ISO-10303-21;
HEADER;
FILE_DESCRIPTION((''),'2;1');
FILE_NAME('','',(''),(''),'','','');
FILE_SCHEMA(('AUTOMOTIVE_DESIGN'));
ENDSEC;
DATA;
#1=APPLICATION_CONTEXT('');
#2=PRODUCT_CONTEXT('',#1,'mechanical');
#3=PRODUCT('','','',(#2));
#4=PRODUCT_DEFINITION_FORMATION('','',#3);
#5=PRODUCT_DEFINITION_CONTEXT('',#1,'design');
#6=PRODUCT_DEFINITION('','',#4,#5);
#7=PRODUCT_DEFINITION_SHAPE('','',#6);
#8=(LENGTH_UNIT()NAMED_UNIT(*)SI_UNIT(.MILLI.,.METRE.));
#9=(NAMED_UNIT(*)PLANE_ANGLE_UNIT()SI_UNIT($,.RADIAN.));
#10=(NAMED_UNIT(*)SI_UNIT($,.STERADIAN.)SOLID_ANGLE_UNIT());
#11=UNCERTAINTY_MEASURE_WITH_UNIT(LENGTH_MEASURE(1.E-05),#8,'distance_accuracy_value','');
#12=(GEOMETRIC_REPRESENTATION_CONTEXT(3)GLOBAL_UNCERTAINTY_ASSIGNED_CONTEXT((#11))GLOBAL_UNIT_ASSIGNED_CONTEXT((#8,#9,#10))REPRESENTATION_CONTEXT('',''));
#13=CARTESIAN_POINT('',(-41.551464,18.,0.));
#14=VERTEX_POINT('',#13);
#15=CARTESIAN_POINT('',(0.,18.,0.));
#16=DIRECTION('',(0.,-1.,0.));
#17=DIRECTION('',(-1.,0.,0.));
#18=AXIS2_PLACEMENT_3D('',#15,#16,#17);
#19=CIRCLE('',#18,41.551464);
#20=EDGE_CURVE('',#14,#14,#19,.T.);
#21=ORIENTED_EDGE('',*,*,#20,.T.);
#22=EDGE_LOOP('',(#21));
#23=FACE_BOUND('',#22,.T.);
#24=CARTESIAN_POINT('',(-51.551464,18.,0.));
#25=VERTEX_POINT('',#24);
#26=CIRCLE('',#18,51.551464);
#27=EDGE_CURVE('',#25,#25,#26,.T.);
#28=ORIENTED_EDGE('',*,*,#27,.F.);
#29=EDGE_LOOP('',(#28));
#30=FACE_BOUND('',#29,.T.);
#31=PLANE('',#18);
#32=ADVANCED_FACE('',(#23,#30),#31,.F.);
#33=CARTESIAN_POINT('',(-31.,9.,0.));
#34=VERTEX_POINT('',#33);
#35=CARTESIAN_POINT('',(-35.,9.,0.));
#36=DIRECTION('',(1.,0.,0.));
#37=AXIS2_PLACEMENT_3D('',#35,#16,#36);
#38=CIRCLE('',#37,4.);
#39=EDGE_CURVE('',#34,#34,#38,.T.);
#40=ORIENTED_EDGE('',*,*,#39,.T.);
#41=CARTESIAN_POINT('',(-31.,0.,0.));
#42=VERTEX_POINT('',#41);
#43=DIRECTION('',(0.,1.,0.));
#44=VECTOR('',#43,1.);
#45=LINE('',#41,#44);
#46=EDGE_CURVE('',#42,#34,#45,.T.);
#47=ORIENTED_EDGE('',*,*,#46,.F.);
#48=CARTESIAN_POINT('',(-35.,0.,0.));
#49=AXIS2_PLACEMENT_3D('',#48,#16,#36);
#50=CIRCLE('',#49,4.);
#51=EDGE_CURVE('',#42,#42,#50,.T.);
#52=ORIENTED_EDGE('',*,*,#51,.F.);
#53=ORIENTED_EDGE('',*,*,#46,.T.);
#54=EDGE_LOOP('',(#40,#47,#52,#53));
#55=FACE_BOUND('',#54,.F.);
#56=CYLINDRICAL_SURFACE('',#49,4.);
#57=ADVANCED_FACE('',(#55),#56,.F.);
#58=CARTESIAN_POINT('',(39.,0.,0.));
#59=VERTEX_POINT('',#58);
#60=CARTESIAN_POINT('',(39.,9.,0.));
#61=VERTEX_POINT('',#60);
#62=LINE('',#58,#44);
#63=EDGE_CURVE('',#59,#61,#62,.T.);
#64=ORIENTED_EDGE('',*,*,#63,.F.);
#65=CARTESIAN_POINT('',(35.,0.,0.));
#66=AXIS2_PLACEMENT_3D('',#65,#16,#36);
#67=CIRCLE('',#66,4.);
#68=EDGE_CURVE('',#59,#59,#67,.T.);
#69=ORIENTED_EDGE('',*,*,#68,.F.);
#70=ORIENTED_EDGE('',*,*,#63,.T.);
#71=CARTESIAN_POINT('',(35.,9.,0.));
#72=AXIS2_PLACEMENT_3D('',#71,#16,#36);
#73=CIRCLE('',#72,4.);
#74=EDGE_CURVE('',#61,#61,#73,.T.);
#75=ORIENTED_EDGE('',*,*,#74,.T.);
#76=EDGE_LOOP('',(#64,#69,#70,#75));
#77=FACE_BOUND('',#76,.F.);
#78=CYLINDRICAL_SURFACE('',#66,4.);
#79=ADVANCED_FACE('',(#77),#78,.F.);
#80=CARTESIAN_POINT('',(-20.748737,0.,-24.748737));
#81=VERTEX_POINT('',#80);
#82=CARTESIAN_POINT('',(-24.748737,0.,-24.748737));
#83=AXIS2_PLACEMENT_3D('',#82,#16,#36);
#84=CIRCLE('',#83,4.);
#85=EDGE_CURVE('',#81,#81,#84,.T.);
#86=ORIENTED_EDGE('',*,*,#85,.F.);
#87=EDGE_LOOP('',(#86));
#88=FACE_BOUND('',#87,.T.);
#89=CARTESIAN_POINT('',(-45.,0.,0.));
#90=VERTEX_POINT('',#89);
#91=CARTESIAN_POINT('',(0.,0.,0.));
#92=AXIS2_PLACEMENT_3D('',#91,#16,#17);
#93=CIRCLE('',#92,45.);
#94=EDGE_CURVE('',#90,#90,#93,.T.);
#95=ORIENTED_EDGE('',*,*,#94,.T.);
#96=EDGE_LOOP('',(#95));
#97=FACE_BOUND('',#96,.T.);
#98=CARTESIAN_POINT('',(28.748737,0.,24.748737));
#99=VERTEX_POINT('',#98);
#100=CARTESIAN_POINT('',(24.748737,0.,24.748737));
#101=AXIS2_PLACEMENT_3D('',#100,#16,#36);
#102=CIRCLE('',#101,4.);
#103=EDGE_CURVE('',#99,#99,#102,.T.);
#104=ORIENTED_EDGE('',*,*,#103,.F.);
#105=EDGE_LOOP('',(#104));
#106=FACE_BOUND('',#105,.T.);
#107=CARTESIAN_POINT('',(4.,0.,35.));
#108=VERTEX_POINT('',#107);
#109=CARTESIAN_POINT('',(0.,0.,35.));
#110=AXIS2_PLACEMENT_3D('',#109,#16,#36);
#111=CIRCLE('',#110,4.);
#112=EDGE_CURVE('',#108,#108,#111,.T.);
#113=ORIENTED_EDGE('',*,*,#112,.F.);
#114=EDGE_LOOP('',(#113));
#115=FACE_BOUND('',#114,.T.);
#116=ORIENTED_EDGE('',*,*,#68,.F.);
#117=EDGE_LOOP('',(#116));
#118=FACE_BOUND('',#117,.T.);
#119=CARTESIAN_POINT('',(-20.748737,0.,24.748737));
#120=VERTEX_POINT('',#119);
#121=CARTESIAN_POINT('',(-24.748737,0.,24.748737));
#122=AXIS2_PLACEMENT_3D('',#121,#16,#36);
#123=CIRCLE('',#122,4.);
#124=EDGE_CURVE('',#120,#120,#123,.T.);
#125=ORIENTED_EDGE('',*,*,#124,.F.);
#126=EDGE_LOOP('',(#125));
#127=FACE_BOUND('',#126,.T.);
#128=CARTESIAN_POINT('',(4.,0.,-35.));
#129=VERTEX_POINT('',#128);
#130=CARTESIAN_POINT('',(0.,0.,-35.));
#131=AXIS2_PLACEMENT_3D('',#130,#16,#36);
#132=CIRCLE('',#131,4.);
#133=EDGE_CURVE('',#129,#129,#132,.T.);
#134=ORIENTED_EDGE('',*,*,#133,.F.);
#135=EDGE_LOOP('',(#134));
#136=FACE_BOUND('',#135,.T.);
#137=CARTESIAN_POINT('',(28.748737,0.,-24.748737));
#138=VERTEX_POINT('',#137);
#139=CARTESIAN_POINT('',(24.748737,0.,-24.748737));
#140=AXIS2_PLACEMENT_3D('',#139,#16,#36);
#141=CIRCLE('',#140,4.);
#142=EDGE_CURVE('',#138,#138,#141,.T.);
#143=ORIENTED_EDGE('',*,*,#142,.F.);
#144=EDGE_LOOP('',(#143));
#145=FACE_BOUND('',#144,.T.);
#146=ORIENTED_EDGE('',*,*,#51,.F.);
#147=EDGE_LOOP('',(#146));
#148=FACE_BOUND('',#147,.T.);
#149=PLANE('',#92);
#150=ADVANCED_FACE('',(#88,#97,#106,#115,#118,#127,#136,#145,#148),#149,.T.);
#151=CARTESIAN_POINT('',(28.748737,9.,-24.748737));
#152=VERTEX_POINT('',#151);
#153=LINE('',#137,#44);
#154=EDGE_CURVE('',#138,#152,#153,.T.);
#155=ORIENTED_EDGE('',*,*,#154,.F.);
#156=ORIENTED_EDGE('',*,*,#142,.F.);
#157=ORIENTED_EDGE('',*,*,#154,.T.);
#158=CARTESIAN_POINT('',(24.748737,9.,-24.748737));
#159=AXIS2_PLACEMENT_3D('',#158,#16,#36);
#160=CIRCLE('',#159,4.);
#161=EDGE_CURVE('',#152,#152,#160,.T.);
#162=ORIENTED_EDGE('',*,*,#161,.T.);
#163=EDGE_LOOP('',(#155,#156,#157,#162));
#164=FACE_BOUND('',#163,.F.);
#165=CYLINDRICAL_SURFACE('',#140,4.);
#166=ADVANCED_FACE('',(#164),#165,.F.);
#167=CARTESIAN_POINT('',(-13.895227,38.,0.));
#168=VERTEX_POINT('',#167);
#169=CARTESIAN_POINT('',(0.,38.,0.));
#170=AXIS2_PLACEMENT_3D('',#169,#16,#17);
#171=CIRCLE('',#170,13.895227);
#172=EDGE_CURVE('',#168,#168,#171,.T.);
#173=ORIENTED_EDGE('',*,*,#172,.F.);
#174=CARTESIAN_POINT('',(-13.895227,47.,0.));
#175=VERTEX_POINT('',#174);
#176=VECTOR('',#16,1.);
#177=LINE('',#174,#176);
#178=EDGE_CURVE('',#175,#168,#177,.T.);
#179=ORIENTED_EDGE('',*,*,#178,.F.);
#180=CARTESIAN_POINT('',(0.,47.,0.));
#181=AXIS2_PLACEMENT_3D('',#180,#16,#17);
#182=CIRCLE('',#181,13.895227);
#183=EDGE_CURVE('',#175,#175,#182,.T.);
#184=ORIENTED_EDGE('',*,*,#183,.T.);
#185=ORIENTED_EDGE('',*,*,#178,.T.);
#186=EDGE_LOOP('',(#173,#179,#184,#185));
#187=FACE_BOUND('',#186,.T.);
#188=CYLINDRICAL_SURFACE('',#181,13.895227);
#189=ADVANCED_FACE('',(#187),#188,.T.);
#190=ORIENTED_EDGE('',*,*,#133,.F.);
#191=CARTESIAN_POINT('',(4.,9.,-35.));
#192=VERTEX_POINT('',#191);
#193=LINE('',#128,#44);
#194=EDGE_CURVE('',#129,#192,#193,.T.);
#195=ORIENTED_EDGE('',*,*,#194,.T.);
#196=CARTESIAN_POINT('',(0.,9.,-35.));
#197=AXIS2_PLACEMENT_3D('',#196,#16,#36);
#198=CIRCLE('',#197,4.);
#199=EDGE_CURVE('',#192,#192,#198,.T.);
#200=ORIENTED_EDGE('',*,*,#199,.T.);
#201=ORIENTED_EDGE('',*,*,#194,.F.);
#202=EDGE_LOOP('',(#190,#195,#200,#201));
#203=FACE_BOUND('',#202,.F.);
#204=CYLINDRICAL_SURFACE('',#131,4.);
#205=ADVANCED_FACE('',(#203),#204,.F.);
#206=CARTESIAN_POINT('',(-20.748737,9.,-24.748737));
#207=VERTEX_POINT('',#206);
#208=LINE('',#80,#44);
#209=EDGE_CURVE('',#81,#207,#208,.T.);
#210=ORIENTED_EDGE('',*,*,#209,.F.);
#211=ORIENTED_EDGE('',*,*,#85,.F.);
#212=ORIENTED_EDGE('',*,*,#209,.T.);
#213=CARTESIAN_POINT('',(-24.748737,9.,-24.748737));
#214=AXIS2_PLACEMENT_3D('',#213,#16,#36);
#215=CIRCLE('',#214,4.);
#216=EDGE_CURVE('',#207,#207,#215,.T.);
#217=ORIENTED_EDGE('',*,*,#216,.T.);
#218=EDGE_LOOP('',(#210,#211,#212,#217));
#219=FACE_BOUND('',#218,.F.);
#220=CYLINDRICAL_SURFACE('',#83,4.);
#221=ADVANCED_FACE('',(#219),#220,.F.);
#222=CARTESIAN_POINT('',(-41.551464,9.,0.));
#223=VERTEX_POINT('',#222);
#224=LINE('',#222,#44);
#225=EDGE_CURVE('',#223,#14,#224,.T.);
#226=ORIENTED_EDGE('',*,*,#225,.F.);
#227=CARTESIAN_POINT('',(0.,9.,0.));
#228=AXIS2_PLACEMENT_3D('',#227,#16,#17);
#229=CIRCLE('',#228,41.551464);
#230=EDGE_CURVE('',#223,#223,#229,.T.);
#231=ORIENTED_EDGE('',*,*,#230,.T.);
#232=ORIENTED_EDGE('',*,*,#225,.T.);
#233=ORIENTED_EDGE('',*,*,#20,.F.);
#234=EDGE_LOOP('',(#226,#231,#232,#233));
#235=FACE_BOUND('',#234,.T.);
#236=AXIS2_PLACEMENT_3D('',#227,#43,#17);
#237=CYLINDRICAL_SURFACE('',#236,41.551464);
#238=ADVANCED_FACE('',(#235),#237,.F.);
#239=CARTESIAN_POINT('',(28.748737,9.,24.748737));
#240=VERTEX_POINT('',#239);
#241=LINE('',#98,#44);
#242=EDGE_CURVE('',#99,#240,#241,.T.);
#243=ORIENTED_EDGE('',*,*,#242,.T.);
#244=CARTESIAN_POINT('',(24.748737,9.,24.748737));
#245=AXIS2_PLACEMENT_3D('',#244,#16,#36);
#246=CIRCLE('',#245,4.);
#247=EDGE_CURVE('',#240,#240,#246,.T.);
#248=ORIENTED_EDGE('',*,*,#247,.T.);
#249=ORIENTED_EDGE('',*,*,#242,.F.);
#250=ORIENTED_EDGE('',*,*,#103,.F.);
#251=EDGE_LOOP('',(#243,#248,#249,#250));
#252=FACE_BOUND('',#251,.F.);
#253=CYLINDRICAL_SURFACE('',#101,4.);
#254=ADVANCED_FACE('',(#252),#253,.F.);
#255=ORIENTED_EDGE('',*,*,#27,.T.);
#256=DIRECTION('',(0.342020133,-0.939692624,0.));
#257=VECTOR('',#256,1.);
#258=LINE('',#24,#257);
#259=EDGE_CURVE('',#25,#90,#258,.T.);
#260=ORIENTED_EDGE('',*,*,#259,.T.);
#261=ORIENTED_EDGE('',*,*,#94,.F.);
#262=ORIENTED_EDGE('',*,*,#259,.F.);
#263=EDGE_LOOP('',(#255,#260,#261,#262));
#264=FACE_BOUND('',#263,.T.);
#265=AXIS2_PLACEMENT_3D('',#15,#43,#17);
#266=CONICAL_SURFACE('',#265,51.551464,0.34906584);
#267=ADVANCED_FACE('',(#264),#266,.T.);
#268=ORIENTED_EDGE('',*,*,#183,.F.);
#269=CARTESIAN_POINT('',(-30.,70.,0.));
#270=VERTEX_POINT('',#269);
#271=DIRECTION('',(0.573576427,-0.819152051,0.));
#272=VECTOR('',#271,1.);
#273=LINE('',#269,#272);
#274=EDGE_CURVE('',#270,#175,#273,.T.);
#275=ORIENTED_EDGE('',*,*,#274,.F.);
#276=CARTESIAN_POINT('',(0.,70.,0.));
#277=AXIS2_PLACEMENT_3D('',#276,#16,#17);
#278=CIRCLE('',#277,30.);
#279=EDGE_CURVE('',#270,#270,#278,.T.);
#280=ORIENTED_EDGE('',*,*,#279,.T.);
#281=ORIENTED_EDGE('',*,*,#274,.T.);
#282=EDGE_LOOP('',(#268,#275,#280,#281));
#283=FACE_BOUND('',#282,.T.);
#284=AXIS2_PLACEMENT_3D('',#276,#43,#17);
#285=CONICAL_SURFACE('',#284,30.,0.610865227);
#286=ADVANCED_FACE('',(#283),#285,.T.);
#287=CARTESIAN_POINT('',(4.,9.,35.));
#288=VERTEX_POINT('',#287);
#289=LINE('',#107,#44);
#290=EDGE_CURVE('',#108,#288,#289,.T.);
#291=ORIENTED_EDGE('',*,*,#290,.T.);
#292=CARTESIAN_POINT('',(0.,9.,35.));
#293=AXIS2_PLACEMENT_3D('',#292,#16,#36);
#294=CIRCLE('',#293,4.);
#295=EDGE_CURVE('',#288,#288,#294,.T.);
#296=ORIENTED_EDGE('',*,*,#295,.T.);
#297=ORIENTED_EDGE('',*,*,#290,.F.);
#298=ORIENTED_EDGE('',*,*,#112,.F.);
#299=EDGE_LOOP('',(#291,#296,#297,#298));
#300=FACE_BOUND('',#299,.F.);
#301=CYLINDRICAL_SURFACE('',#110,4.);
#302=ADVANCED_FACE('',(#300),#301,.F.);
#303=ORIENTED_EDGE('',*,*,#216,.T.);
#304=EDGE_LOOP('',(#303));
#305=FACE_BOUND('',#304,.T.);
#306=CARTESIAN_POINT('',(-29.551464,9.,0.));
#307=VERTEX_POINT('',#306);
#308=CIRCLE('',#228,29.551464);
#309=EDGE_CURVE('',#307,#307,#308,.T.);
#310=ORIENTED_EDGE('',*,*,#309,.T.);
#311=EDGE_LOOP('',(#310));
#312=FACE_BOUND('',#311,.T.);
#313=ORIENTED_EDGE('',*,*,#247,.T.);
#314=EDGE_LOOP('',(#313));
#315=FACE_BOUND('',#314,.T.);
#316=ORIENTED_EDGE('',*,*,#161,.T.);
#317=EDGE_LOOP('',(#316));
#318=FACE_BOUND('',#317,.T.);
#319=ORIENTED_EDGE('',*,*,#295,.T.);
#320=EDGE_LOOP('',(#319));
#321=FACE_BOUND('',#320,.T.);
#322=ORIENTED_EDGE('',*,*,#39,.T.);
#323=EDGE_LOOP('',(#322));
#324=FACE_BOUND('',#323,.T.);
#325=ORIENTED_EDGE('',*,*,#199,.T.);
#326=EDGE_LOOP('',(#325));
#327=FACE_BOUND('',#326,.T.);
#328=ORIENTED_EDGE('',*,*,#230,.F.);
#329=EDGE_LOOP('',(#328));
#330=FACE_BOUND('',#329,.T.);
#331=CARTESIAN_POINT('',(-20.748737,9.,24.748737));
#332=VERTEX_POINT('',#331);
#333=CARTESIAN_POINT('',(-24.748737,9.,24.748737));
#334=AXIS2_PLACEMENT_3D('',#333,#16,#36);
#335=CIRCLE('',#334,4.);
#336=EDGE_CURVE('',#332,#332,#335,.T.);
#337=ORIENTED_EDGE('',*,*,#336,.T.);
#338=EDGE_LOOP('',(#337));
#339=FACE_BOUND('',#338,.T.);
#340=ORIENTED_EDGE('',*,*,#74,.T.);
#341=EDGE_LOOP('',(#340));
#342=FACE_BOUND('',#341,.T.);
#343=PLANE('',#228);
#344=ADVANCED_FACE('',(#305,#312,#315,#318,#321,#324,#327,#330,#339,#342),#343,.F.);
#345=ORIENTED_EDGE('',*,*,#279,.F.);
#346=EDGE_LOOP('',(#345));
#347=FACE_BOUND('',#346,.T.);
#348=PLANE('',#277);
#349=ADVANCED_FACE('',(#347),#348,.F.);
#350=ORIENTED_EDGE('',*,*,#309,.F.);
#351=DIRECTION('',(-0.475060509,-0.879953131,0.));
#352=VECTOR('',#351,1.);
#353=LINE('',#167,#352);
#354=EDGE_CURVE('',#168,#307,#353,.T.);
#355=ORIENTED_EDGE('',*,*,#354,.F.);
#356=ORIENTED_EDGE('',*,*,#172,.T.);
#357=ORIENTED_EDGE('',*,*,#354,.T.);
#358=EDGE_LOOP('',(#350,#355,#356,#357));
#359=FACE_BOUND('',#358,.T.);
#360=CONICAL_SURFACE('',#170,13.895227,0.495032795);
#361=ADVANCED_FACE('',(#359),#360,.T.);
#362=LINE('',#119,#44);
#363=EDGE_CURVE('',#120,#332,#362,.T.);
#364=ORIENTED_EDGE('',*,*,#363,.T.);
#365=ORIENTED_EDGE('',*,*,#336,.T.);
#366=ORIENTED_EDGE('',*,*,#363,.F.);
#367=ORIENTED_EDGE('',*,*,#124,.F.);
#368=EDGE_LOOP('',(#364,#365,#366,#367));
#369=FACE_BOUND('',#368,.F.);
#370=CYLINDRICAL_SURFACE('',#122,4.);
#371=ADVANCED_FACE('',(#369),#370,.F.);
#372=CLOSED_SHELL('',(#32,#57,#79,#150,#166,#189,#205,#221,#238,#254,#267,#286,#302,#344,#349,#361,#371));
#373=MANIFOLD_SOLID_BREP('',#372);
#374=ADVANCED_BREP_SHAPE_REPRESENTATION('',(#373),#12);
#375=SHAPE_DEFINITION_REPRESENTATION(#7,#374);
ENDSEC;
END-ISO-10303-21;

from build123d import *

# Parameters (mm, degrees)
F2_R     = 4
F3_DEPTH = 25


with BuildPart() as f1:
    # F0 (on Top) → F1 (revolve)
    with BuildSketch(Plane.XY):
        Polygon((-45, 0), (0, 0), (0, 70), (-30, 70), (-13.895227, 47), (-13.895227, 38), (-29.551464, 9), (-41.551464, 9), (-41.551464, 18), (-51.551464, 18), align=None)
    revolve(axis=Axis((0, 35, 0), (0, -1, 0)))

    # F2 (on Front) → F3 (cut)
    with BuildSketch(Plane.XZ):
        with Locations((0, 35)):
            Circle(F2_R)
        with Locations((-24.748737, 24.748737)):
            Circle(F2_R)
        with Locations((-35, 0)):
            Circle(F2_R)
        with Locations((-24.748737, -24.748737)):
            Circle(F2_R)
        with Locations((0, -35)):
            Circle(F2_R)
        with Locations((24.748737, -24.748737)):
            Circle(F2_R)
        with Locations((35, 0)):
            Circle(F2_R)
        with Locations((24.748737, 24.748737)):
            Circle(F2_R)
    extrude(amount=-F3_DEPTH, mode=Mode.SUBTRACT)


solid = f1.part
